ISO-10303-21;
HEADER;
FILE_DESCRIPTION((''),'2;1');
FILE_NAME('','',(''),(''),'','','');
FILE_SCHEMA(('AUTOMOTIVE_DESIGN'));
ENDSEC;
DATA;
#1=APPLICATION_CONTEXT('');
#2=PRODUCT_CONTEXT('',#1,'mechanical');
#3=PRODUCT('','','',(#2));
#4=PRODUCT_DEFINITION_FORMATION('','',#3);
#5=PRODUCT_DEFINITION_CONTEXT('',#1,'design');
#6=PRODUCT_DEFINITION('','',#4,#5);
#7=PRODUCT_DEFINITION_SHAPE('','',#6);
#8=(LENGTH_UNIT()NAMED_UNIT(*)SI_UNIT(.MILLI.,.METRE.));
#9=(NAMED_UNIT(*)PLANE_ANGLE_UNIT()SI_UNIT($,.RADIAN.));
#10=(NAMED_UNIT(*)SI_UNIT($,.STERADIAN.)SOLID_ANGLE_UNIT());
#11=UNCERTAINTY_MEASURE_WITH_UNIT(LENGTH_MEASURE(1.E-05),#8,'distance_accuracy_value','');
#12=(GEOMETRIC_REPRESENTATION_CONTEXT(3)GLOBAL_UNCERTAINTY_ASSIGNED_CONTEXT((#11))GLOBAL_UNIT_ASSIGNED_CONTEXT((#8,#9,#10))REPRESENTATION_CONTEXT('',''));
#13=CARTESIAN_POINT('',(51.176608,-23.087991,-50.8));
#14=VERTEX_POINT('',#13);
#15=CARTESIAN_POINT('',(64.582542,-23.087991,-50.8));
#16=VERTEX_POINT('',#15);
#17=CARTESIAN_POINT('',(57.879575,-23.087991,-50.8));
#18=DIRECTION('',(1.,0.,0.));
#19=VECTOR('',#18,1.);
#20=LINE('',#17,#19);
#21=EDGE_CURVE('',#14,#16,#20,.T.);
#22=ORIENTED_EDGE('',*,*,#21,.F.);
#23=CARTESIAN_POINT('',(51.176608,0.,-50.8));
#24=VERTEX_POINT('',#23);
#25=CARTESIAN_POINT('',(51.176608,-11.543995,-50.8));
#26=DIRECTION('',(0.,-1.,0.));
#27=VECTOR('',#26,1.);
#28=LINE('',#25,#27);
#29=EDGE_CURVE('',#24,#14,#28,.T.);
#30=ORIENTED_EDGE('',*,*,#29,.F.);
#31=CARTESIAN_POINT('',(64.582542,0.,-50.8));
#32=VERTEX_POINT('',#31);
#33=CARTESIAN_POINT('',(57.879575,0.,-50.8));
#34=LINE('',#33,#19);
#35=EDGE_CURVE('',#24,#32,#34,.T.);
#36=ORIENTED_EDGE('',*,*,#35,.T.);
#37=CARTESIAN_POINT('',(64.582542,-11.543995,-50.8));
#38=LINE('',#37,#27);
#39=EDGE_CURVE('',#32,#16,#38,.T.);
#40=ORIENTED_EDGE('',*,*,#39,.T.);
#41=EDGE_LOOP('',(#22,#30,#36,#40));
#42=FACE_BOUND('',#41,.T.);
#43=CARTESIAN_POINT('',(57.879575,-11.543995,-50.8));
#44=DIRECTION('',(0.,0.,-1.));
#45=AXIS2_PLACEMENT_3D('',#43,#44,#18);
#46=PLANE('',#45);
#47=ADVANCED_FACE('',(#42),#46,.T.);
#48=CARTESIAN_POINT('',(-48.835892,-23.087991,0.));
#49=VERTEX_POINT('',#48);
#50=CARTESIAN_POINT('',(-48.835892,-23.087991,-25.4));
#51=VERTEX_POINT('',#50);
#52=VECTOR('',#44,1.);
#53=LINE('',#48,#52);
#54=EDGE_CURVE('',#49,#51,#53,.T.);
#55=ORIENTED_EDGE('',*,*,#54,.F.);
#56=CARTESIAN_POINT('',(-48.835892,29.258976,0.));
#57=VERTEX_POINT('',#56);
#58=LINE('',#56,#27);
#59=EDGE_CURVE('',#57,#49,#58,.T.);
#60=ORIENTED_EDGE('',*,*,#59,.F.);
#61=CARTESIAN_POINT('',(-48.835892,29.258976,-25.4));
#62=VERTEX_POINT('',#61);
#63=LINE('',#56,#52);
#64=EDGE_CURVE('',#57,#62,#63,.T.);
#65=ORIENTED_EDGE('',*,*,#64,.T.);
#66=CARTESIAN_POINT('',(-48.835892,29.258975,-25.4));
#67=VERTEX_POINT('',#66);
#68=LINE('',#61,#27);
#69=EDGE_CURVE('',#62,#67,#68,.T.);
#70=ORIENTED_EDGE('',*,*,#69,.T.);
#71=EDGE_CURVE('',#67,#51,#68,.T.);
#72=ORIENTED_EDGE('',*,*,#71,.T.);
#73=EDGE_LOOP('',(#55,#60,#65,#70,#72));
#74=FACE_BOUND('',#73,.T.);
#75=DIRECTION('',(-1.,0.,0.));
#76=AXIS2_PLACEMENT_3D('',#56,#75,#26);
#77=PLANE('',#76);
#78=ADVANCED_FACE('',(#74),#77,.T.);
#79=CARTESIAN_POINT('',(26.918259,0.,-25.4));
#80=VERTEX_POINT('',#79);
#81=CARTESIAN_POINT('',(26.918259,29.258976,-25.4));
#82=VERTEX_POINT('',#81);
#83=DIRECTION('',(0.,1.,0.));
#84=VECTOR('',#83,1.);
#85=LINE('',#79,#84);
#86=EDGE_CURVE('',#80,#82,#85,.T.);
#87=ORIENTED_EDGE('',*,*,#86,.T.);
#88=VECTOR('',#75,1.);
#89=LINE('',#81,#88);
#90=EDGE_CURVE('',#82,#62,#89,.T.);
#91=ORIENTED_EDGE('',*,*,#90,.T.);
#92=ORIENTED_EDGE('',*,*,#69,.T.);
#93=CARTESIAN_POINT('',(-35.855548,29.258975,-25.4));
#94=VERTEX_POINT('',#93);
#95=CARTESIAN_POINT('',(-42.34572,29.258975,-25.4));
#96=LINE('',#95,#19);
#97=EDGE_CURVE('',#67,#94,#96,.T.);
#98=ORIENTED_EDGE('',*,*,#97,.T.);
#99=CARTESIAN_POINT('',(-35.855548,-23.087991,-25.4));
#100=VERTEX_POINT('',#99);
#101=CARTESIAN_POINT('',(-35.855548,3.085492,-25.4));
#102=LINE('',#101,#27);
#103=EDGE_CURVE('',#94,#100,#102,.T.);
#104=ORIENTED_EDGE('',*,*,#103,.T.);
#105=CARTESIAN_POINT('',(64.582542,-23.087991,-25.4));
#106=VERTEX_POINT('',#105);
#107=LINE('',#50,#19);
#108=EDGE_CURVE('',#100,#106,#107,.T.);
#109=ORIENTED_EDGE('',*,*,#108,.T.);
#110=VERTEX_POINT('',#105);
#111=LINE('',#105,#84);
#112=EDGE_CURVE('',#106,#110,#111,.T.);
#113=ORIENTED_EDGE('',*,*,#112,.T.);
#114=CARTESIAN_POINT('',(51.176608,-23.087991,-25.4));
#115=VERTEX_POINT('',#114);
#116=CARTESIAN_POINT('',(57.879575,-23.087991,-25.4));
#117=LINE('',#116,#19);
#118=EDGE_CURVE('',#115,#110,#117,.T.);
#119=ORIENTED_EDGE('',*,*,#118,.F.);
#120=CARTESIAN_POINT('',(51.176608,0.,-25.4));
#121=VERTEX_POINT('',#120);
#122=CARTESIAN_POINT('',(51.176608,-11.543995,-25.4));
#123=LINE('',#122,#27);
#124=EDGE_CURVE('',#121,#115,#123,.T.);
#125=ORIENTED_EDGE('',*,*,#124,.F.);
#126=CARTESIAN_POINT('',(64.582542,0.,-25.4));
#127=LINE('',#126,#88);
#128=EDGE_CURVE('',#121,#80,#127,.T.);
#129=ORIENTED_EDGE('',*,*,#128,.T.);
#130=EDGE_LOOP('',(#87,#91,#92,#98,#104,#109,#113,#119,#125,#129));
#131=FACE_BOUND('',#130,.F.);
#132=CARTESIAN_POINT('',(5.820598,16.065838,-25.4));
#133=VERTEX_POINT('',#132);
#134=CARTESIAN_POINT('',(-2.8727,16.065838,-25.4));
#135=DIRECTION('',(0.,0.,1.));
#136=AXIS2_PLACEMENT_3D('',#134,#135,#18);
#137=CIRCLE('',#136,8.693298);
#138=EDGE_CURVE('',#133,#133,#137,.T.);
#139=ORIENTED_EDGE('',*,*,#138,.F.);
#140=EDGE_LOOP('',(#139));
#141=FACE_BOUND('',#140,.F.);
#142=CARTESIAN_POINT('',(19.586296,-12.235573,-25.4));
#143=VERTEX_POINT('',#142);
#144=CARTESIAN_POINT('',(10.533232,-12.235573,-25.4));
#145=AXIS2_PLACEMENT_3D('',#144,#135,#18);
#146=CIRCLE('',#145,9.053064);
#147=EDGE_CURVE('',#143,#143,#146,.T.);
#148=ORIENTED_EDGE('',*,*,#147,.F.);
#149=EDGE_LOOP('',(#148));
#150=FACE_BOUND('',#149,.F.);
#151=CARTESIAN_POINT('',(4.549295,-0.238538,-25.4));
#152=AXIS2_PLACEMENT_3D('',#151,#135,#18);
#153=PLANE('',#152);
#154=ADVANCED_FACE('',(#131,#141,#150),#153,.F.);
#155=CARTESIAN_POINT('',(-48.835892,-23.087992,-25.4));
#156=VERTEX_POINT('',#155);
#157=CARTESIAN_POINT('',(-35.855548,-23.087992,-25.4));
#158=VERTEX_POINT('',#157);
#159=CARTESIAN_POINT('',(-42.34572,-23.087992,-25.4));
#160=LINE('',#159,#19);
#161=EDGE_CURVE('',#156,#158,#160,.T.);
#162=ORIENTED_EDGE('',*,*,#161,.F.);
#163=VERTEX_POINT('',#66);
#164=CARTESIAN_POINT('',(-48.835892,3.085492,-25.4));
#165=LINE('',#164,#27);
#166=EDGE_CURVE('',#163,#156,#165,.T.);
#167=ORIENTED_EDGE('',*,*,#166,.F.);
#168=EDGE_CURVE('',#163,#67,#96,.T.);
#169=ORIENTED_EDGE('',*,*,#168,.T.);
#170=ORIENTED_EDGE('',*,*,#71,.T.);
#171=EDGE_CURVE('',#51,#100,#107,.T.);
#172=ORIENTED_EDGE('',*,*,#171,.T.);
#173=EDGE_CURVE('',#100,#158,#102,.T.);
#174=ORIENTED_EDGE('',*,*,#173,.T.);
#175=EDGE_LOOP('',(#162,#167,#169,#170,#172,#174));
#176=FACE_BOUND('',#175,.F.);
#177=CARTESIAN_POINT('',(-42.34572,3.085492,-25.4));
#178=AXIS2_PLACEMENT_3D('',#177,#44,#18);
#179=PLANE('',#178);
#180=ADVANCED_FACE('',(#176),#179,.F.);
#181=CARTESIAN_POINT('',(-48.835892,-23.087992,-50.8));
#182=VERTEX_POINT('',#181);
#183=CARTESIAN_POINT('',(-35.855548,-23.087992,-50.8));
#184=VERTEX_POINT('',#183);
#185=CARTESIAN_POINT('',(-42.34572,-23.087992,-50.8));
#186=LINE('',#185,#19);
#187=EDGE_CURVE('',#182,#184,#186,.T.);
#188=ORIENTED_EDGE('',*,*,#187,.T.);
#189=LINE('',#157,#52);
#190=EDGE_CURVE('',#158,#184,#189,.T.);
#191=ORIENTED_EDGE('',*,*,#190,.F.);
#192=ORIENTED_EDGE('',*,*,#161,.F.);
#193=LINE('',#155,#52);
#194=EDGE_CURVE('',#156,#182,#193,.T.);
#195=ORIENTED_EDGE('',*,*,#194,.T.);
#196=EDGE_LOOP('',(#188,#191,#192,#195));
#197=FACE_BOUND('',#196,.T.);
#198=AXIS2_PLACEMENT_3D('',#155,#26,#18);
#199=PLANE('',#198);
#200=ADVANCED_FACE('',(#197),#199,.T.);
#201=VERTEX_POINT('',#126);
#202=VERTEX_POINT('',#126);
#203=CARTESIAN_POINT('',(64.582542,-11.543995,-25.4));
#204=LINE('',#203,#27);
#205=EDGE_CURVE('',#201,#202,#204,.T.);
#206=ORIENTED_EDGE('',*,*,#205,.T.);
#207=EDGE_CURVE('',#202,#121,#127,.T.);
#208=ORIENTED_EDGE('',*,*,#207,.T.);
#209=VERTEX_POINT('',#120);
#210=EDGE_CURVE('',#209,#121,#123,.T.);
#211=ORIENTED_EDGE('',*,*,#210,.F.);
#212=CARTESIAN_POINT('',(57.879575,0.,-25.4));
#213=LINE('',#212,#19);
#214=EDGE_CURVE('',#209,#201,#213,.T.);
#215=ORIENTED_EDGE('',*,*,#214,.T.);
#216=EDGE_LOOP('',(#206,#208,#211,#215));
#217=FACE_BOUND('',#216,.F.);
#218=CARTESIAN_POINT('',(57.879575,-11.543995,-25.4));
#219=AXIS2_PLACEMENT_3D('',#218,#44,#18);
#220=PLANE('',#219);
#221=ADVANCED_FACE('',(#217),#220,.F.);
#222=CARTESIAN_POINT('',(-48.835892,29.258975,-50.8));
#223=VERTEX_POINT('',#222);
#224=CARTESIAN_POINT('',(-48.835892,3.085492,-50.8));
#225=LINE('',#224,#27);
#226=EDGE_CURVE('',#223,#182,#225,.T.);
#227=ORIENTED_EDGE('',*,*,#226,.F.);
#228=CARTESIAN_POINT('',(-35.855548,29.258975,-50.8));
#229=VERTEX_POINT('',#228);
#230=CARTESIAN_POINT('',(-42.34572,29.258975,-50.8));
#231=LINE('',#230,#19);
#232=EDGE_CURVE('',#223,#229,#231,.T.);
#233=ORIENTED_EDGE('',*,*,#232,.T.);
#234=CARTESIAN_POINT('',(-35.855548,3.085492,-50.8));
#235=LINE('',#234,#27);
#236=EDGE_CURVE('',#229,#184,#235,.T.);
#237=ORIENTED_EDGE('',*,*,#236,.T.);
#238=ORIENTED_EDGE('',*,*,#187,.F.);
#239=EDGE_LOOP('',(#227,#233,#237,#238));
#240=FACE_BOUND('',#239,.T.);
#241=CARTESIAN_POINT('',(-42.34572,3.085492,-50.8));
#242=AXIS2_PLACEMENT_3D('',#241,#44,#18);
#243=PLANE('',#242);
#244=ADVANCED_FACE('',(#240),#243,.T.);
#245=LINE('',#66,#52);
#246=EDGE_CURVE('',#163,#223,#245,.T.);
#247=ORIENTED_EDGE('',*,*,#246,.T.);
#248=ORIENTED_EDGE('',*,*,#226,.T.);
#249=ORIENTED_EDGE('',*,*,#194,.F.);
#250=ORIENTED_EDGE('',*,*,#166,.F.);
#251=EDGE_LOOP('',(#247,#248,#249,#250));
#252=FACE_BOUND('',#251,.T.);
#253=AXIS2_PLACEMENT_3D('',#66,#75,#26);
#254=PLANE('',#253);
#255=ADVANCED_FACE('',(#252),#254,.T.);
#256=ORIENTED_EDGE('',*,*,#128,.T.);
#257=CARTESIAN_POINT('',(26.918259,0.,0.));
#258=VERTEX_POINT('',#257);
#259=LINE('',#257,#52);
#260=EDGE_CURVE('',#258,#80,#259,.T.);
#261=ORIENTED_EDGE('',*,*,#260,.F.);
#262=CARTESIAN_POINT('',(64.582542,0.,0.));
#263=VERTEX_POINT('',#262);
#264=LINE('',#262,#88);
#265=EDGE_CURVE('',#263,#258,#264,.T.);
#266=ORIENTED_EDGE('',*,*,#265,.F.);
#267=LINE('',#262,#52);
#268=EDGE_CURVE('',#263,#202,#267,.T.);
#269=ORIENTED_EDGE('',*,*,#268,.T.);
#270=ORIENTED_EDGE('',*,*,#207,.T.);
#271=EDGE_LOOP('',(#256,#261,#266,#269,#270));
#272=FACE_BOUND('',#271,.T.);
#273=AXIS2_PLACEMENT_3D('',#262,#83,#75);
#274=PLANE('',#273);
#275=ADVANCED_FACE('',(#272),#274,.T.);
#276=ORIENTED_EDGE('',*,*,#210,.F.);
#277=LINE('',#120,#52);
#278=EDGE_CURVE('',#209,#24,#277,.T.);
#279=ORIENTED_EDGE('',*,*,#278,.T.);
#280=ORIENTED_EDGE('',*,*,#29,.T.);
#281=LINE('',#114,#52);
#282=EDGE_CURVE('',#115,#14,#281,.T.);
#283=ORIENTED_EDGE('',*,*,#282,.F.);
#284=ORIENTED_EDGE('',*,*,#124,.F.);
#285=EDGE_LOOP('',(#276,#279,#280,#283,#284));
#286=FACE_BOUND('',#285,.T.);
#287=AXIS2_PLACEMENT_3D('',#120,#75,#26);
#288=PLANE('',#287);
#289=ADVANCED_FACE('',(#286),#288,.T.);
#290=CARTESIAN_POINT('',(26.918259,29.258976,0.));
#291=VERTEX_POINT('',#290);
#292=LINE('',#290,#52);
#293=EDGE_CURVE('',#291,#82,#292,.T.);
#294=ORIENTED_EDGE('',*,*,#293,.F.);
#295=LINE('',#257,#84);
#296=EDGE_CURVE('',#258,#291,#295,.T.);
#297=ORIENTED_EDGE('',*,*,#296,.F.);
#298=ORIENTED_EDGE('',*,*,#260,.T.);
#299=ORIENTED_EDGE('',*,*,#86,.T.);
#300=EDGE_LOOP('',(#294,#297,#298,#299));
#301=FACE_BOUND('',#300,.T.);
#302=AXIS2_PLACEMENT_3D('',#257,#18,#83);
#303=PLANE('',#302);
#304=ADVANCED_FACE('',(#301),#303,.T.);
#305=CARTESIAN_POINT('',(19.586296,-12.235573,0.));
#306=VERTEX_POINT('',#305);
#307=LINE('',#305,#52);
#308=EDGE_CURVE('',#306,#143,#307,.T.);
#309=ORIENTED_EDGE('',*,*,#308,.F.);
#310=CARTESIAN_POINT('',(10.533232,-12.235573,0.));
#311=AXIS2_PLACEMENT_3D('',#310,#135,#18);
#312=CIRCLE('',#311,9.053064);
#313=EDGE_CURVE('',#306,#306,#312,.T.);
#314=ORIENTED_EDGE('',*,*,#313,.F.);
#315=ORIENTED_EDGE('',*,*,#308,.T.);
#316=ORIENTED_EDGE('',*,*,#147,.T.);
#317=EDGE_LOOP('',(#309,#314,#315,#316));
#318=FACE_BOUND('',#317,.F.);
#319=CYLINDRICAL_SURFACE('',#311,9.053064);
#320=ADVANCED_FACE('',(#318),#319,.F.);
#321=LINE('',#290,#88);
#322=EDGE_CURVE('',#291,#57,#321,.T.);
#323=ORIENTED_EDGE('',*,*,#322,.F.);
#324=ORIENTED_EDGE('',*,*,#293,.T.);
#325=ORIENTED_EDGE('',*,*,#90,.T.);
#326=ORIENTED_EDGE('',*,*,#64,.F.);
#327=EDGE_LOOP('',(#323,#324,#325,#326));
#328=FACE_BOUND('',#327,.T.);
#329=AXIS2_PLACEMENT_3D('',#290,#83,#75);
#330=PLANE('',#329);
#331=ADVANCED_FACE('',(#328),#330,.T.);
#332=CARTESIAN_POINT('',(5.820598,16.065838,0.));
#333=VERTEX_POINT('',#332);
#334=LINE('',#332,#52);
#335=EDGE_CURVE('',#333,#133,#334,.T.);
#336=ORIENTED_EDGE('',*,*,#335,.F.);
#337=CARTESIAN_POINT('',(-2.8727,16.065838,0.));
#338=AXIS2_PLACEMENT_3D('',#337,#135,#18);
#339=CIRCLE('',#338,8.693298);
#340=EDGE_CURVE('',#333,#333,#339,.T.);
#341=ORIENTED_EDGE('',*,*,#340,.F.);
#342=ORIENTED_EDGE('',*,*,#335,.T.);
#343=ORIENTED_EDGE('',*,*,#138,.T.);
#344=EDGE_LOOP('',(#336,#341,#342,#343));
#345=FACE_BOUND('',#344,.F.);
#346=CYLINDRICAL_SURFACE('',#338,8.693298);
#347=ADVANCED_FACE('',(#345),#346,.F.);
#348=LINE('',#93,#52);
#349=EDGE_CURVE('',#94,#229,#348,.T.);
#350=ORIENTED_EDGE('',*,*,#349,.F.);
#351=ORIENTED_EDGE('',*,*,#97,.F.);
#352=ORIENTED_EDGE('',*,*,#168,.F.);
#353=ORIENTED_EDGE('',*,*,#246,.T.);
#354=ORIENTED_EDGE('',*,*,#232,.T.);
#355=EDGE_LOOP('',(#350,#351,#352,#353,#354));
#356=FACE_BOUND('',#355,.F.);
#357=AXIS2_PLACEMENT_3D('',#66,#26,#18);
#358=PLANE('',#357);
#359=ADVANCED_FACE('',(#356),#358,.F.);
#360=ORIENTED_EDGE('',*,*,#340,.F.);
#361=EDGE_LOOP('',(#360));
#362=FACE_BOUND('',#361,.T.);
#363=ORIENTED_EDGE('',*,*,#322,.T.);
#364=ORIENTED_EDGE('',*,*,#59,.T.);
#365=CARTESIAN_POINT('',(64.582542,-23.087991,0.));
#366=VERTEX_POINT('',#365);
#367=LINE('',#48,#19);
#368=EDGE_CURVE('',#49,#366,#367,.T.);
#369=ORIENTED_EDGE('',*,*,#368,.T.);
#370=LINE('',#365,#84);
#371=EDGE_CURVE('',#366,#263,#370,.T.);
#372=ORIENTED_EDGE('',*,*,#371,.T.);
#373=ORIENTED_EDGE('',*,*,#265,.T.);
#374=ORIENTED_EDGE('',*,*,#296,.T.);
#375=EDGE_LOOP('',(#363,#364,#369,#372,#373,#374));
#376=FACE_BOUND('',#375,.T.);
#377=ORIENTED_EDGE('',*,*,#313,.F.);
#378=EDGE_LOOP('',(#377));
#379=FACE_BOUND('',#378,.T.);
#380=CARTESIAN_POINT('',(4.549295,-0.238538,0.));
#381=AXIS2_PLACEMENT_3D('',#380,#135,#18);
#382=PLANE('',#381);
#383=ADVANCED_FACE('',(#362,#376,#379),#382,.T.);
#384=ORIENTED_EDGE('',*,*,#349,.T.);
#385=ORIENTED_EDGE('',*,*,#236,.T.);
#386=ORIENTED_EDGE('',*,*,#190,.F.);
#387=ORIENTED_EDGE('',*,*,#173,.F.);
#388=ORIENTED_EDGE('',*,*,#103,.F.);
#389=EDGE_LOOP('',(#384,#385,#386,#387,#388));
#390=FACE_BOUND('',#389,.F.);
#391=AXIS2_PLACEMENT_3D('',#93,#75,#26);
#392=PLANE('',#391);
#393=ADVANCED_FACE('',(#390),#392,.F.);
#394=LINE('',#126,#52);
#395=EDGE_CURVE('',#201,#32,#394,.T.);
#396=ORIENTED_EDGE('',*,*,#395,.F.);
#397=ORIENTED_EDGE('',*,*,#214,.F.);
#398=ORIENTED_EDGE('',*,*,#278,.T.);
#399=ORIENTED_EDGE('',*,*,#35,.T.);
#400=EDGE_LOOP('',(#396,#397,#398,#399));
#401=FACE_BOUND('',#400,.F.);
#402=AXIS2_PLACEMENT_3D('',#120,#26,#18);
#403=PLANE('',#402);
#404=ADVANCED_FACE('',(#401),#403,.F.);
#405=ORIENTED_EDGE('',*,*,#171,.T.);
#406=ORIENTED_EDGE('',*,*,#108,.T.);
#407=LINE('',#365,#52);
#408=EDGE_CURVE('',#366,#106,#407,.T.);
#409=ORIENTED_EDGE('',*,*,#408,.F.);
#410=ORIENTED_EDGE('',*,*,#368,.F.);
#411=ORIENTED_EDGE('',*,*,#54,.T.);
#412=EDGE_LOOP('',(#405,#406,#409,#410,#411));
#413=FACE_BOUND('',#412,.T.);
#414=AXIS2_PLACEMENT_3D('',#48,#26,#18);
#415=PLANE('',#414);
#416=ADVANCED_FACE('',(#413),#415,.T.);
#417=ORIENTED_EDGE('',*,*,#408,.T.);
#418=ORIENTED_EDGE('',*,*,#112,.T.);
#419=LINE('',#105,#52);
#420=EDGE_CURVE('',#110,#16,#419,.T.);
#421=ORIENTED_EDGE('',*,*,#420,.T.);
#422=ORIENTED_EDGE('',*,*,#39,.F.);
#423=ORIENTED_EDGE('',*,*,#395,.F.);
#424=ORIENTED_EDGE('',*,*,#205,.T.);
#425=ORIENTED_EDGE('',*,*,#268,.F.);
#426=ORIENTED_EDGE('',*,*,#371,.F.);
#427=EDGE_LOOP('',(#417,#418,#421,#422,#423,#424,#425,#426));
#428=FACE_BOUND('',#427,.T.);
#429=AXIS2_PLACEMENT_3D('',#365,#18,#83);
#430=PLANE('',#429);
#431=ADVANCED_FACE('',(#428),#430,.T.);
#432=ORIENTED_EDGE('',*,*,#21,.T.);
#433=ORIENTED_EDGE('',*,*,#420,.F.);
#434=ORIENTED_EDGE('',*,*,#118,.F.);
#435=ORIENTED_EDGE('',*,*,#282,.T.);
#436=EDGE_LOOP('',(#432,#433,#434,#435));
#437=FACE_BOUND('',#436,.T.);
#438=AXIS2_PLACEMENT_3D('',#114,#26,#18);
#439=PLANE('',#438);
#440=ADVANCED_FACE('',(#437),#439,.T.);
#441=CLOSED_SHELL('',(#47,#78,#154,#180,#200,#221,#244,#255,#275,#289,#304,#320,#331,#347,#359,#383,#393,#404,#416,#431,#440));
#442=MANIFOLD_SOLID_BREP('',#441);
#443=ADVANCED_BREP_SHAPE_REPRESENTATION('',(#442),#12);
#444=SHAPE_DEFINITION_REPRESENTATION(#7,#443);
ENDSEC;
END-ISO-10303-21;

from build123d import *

# Parameters (mm, degrees)
F0_R     = 9.053064
F0_R_2   = 8.693298
F1_DEPTH = 25.4
F2_W     = 12.980345
F2_H     = 52.346967
F2_W_2   = 13.405934
F2_H_2   = 23.087991
F3_DEPTH = 25.4


with BuildPart() as f1:
    # F0 (on Top) → F1 (new body)
    with BuildSketch(Plane.XY):
        Polygon((26.918259, 29.258976), (-48.835892, 29.258976), (-48.835892, -23.087991), (26.918259, -23.087991), (64.582542, -23.087991), (64.582542, 0), (26.918259, 0), align=None)
        with Locations((10.533232, -12.235573)):
            Circle(F0_R, mode=Mode.SUBTRACT)
        with Locations((-2.8727, 16.065838)):
            Circle(F0_R_2, mode=Mode.SUBTRACT)
    extrude(amount=-F1_DEPTH)

    # F2 (on face) → F3 (join)
    with BuildSketch(Plane(origin=(0, 0, -25.4), x_dir=(1, 0, 0), z_dir=(0, 0, -1))):
        with Locations((-42.34572, -3.085492)):
            Rectangle(F2_W, F2_H)
        with Locations((57.879575, 11.543995)):
            Rectangle(F2_W_2, F2_H_2)
    extrude(amount=F3_DEPTH)


solid = f1.part
